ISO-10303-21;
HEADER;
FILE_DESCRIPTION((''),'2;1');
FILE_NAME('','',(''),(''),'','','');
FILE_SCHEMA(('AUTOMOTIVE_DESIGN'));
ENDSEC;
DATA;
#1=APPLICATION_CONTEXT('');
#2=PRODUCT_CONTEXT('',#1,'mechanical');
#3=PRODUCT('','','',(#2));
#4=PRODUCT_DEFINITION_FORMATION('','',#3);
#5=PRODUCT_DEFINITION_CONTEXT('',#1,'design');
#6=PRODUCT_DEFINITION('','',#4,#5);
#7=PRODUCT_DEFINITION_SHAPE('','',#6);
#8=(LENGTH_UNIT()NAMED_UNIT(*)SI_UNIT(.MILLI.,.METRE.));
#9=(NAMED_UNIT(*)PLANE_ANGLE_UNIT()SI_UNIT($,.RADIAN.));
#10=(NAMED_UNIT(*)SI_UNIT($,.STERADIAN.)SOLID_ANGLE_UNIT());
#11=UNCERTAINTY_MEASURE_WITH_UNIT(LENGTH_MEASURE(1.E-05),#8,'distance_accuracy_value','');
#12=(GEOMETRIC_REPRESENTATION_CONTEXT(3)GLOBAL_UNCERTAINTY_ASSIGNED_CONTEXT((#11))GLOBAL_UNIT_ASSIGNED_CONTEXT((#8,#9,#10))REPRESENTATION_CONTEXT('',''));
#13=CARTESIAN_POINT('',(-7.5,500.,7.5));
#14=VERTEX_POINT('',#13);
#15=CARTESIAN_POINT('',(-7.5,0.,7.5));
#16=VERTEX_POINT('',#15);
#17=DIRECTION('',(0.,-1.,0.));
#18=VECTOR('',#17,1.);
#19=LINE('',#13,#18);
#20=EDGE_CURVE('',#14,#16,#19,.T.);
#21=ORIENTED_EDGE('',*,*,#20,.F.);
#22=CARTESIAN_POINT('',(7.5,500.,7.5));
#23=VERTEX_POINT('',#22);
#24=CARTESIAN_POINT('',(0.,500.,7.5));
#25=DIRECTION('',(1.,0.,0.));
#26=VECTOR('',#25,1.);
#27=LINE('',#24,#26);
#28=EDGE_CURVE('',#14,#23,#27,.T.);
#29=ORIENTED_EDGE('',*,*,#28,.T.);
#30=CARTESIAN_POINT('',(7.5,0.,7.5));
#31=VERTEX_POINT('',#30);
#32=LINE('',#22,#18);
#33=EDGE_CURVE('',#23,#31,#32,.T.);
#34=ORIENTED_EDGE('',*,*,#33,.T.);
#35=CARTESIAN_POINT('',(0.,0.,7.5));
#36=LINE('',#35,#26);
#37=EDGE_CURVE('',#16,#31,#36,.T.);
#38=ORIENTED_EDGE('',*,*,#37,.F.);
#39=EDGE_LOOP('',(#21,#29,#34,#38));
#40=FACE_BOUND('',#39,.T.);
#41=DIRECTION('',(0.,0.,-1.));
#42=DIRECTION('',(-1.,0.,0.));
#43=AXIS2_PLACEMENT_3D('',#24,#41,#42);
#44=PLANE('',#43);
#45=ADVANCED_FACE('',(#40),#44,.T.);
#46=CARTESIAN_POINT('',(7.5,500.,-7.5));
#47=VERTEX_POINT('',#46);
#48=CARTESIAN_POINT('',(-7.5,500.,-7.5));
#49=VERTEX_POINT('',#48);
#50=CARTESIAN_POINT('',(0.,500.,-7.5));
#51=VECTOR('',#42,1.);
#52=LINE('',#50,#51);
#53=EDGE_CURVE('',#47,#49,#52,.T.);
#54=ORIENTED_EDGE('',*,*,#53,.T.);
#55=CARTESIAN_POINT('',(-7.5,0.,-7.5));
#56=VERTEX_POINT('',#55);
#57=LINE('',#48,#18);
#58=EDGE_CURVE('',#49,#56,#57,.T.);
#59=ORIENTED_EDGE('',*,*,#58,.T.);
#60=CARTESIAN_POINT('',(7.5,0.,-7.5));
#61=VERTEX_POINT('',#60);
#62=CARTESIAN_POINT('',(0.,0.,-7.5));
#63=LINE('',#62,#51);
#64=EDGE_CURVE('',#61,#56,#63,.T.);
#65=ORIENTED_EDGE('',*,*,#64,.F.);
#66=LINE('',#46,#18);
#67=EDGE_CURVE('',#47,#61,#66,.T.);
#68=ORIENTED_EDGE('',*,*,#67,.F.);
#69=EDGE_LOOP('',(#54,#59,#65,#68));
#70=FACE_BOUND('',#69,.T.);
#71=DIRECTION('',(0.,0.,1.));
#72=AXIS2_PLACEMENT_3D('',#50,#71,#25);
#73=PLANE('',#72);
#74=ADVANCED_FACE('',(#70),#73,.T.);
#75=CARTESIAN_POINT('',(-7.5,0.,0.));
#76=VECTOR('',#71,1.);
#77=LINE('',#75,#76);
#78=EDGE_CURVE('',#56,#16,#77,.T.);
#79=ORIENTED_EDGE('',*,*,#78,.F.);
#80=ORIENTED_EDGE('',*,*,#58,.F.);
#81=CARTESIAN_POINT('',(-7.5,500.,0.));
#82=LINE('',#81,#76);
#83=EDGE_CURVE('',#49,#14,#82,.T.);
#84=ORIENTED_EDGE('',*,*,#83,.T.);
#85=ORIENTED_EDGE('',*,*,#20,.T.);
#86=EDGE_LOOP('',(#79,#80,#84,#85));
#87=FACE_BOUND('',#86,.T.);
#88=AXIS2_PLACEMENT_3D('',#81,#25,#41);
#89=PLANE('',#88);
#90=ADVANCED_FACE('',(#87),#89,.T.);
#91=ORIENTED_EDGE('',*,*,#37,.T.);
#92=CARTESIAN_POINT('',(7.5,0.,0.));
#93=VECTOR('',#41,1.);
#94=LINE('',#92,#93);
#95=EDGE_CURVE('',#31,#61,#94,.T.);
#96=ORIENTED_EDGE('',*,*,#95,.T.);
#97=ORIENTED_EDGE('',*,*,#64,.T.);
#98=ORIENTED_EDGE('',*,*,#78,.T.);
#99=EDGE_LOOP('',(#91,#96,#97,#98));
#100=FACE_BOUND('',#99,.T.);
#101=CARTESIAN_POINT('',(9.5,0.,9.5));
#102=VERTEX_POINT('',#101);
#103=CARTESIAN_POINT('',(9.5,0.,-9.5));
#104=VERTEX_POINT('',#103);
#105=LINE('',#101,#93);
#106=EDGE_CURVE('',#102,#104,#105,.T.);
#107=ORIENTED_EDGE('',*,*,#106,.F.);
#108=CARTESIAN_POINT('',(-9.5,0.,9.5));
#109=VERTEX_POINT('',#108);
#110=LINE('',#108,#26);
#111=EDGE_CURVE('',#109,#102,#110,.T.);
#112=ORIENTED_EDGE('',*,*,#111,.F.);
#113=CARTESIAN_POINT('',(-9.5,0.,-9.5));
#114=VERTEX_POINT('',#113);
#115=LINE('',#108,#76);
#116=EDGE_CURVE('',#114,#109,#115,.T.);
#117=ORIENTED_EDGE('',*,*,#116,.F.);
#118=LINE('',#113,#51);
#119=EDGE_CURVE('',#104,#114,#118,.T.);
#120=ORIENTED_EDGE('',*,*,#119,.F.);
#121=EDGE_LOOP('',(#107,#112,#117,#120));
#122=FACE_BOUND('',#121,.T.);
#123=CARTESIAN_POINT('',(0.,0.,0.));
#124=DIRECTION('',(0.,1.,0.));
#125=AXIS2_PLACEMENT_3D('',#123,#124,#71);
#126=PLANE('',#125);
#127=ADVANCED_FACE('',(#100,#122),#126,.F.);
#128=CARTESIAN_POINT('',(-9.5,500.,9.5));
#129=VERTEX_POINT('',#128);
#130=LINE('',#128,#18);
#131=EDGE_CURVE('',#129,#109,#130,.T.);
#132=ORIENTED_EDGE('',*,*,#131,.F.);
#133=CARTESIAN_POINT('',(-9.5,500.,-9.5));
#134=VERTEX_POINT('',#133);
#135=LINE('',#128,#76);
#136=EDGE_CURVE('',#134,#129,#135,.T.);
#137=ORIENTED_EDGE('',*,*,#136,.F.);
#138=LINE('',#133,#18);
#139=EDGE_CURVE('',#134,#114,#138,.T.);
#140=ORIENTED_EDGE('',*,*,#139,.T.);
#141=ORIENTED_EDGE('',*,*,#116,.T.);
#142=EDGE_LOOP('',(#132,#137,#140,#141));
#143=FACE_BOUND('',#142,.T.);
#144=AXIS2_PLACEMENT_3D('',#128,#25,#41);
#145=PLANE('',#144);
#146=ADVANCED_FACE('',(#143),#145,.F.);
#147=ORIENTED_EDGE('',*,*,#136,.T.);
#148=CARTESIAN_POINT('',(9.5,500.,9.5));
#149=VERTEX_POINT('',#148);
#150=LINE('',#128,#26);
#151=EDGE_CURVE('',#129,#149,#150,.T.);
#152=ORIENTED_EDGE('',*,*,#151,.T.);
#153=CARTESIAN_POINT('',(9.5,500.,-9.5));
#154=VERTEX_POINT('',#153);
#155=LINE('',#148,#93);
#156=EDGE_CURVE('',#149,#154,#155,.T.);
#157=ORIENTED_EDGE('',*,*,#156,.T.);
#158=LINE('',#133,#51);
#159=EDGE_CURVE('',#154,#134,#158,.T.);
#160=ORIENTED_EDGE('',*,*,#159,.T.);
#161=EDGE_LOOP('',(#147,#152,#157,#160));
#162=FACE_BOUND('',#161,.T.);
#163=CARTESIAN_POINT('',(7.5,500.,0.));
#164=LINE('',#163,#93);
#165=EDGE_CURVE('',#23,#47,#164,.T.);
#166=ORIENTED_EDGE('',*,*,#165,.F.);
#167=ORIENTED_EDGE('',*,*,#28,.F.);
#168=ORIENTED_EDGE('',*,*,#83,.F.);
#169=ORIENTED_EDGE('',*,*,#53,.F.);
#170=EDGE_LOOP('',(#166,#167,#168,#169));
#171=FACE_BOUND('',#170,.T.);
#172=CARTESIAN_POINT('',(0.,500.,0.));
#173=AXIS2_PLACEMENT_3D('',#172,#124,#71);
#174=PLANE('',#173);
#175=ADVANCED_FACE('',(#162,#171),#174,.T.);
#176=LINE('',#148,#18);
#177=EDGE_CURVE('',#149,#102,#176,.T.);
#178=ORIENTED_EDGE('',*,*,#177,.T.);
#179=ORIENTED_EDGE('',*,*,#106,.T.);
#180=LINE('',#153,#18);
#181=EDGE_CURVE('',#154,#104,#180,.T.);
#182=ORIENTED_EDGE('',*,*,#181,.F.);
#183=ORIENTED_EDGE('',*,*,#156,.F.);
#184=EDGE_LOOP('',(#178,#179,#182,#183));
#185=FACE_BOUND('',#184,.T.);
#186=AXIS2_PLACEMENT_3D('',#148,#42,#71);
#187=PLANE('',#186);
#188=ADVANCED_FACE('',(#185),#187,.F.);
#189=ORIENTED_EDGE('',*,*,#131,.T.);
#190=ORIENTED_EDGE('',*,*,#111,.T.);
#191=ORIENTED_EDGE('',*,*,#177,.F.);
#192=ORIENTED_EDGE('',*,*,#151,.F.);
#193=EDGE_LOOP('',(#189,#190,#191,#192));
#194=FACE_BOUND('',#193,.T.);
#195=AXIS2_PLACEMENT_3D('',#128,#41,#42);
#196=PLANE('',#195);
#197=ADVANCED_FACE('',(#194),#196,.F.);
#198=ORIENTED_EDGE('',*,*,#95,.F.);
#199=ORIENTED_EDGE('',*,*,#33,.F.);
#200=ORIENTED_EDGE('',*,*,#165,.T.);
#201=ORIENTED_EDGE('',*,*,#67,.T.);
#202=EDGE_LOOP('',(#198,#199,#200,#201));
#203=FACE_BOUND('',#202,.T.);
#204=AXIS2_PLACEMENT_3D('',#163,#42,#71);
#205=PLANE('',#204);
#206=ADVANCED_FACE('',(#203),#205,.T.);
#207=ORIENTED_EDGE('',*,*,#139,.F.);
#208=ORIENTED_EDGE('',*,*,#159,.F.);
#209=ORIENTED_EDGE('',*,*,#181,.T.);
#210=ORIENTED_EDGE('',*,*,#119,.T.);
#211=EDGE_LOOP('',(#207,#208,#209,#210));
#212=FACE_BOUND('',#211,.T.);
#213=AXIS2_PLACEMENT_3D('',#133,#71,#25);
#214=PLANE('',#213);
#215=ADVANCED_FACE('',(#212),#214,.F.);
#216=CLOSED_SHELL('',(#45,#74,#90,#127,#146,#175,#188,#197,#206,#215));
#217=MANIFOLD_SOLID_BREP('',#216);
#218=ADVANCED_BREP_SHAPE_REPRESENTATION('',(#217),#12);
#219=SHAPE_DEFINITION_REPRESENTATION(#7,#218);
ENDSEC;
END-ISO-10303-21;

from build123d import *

# Parameters (mm, degrees)
SKETCH1_W           = 19
SKETCH1_H           = 19
SKETCH1_W_2         = 15
SKETCH1_H_2         = 15
EXTRUDE_THIN1_DEPTH = 500


with BuildPart() as part:
    # Sketch1 → Extrude-Thin1 (new body)
    with BuildSketch(Plane(origin=(0, 0, 0), x_dir=(1, 0, 0), z_dir=(0, 1, 0))):
        Rectangle(SKETCH1_W, SKETCH1_H)
        Rectangle(SKETCH1_W_2, SKETCH1_H_2, mode=Mode.SUBTRACT)
    extrude(amount=EXTRUDE_THIN1_DEPTH)


solid = part.part
